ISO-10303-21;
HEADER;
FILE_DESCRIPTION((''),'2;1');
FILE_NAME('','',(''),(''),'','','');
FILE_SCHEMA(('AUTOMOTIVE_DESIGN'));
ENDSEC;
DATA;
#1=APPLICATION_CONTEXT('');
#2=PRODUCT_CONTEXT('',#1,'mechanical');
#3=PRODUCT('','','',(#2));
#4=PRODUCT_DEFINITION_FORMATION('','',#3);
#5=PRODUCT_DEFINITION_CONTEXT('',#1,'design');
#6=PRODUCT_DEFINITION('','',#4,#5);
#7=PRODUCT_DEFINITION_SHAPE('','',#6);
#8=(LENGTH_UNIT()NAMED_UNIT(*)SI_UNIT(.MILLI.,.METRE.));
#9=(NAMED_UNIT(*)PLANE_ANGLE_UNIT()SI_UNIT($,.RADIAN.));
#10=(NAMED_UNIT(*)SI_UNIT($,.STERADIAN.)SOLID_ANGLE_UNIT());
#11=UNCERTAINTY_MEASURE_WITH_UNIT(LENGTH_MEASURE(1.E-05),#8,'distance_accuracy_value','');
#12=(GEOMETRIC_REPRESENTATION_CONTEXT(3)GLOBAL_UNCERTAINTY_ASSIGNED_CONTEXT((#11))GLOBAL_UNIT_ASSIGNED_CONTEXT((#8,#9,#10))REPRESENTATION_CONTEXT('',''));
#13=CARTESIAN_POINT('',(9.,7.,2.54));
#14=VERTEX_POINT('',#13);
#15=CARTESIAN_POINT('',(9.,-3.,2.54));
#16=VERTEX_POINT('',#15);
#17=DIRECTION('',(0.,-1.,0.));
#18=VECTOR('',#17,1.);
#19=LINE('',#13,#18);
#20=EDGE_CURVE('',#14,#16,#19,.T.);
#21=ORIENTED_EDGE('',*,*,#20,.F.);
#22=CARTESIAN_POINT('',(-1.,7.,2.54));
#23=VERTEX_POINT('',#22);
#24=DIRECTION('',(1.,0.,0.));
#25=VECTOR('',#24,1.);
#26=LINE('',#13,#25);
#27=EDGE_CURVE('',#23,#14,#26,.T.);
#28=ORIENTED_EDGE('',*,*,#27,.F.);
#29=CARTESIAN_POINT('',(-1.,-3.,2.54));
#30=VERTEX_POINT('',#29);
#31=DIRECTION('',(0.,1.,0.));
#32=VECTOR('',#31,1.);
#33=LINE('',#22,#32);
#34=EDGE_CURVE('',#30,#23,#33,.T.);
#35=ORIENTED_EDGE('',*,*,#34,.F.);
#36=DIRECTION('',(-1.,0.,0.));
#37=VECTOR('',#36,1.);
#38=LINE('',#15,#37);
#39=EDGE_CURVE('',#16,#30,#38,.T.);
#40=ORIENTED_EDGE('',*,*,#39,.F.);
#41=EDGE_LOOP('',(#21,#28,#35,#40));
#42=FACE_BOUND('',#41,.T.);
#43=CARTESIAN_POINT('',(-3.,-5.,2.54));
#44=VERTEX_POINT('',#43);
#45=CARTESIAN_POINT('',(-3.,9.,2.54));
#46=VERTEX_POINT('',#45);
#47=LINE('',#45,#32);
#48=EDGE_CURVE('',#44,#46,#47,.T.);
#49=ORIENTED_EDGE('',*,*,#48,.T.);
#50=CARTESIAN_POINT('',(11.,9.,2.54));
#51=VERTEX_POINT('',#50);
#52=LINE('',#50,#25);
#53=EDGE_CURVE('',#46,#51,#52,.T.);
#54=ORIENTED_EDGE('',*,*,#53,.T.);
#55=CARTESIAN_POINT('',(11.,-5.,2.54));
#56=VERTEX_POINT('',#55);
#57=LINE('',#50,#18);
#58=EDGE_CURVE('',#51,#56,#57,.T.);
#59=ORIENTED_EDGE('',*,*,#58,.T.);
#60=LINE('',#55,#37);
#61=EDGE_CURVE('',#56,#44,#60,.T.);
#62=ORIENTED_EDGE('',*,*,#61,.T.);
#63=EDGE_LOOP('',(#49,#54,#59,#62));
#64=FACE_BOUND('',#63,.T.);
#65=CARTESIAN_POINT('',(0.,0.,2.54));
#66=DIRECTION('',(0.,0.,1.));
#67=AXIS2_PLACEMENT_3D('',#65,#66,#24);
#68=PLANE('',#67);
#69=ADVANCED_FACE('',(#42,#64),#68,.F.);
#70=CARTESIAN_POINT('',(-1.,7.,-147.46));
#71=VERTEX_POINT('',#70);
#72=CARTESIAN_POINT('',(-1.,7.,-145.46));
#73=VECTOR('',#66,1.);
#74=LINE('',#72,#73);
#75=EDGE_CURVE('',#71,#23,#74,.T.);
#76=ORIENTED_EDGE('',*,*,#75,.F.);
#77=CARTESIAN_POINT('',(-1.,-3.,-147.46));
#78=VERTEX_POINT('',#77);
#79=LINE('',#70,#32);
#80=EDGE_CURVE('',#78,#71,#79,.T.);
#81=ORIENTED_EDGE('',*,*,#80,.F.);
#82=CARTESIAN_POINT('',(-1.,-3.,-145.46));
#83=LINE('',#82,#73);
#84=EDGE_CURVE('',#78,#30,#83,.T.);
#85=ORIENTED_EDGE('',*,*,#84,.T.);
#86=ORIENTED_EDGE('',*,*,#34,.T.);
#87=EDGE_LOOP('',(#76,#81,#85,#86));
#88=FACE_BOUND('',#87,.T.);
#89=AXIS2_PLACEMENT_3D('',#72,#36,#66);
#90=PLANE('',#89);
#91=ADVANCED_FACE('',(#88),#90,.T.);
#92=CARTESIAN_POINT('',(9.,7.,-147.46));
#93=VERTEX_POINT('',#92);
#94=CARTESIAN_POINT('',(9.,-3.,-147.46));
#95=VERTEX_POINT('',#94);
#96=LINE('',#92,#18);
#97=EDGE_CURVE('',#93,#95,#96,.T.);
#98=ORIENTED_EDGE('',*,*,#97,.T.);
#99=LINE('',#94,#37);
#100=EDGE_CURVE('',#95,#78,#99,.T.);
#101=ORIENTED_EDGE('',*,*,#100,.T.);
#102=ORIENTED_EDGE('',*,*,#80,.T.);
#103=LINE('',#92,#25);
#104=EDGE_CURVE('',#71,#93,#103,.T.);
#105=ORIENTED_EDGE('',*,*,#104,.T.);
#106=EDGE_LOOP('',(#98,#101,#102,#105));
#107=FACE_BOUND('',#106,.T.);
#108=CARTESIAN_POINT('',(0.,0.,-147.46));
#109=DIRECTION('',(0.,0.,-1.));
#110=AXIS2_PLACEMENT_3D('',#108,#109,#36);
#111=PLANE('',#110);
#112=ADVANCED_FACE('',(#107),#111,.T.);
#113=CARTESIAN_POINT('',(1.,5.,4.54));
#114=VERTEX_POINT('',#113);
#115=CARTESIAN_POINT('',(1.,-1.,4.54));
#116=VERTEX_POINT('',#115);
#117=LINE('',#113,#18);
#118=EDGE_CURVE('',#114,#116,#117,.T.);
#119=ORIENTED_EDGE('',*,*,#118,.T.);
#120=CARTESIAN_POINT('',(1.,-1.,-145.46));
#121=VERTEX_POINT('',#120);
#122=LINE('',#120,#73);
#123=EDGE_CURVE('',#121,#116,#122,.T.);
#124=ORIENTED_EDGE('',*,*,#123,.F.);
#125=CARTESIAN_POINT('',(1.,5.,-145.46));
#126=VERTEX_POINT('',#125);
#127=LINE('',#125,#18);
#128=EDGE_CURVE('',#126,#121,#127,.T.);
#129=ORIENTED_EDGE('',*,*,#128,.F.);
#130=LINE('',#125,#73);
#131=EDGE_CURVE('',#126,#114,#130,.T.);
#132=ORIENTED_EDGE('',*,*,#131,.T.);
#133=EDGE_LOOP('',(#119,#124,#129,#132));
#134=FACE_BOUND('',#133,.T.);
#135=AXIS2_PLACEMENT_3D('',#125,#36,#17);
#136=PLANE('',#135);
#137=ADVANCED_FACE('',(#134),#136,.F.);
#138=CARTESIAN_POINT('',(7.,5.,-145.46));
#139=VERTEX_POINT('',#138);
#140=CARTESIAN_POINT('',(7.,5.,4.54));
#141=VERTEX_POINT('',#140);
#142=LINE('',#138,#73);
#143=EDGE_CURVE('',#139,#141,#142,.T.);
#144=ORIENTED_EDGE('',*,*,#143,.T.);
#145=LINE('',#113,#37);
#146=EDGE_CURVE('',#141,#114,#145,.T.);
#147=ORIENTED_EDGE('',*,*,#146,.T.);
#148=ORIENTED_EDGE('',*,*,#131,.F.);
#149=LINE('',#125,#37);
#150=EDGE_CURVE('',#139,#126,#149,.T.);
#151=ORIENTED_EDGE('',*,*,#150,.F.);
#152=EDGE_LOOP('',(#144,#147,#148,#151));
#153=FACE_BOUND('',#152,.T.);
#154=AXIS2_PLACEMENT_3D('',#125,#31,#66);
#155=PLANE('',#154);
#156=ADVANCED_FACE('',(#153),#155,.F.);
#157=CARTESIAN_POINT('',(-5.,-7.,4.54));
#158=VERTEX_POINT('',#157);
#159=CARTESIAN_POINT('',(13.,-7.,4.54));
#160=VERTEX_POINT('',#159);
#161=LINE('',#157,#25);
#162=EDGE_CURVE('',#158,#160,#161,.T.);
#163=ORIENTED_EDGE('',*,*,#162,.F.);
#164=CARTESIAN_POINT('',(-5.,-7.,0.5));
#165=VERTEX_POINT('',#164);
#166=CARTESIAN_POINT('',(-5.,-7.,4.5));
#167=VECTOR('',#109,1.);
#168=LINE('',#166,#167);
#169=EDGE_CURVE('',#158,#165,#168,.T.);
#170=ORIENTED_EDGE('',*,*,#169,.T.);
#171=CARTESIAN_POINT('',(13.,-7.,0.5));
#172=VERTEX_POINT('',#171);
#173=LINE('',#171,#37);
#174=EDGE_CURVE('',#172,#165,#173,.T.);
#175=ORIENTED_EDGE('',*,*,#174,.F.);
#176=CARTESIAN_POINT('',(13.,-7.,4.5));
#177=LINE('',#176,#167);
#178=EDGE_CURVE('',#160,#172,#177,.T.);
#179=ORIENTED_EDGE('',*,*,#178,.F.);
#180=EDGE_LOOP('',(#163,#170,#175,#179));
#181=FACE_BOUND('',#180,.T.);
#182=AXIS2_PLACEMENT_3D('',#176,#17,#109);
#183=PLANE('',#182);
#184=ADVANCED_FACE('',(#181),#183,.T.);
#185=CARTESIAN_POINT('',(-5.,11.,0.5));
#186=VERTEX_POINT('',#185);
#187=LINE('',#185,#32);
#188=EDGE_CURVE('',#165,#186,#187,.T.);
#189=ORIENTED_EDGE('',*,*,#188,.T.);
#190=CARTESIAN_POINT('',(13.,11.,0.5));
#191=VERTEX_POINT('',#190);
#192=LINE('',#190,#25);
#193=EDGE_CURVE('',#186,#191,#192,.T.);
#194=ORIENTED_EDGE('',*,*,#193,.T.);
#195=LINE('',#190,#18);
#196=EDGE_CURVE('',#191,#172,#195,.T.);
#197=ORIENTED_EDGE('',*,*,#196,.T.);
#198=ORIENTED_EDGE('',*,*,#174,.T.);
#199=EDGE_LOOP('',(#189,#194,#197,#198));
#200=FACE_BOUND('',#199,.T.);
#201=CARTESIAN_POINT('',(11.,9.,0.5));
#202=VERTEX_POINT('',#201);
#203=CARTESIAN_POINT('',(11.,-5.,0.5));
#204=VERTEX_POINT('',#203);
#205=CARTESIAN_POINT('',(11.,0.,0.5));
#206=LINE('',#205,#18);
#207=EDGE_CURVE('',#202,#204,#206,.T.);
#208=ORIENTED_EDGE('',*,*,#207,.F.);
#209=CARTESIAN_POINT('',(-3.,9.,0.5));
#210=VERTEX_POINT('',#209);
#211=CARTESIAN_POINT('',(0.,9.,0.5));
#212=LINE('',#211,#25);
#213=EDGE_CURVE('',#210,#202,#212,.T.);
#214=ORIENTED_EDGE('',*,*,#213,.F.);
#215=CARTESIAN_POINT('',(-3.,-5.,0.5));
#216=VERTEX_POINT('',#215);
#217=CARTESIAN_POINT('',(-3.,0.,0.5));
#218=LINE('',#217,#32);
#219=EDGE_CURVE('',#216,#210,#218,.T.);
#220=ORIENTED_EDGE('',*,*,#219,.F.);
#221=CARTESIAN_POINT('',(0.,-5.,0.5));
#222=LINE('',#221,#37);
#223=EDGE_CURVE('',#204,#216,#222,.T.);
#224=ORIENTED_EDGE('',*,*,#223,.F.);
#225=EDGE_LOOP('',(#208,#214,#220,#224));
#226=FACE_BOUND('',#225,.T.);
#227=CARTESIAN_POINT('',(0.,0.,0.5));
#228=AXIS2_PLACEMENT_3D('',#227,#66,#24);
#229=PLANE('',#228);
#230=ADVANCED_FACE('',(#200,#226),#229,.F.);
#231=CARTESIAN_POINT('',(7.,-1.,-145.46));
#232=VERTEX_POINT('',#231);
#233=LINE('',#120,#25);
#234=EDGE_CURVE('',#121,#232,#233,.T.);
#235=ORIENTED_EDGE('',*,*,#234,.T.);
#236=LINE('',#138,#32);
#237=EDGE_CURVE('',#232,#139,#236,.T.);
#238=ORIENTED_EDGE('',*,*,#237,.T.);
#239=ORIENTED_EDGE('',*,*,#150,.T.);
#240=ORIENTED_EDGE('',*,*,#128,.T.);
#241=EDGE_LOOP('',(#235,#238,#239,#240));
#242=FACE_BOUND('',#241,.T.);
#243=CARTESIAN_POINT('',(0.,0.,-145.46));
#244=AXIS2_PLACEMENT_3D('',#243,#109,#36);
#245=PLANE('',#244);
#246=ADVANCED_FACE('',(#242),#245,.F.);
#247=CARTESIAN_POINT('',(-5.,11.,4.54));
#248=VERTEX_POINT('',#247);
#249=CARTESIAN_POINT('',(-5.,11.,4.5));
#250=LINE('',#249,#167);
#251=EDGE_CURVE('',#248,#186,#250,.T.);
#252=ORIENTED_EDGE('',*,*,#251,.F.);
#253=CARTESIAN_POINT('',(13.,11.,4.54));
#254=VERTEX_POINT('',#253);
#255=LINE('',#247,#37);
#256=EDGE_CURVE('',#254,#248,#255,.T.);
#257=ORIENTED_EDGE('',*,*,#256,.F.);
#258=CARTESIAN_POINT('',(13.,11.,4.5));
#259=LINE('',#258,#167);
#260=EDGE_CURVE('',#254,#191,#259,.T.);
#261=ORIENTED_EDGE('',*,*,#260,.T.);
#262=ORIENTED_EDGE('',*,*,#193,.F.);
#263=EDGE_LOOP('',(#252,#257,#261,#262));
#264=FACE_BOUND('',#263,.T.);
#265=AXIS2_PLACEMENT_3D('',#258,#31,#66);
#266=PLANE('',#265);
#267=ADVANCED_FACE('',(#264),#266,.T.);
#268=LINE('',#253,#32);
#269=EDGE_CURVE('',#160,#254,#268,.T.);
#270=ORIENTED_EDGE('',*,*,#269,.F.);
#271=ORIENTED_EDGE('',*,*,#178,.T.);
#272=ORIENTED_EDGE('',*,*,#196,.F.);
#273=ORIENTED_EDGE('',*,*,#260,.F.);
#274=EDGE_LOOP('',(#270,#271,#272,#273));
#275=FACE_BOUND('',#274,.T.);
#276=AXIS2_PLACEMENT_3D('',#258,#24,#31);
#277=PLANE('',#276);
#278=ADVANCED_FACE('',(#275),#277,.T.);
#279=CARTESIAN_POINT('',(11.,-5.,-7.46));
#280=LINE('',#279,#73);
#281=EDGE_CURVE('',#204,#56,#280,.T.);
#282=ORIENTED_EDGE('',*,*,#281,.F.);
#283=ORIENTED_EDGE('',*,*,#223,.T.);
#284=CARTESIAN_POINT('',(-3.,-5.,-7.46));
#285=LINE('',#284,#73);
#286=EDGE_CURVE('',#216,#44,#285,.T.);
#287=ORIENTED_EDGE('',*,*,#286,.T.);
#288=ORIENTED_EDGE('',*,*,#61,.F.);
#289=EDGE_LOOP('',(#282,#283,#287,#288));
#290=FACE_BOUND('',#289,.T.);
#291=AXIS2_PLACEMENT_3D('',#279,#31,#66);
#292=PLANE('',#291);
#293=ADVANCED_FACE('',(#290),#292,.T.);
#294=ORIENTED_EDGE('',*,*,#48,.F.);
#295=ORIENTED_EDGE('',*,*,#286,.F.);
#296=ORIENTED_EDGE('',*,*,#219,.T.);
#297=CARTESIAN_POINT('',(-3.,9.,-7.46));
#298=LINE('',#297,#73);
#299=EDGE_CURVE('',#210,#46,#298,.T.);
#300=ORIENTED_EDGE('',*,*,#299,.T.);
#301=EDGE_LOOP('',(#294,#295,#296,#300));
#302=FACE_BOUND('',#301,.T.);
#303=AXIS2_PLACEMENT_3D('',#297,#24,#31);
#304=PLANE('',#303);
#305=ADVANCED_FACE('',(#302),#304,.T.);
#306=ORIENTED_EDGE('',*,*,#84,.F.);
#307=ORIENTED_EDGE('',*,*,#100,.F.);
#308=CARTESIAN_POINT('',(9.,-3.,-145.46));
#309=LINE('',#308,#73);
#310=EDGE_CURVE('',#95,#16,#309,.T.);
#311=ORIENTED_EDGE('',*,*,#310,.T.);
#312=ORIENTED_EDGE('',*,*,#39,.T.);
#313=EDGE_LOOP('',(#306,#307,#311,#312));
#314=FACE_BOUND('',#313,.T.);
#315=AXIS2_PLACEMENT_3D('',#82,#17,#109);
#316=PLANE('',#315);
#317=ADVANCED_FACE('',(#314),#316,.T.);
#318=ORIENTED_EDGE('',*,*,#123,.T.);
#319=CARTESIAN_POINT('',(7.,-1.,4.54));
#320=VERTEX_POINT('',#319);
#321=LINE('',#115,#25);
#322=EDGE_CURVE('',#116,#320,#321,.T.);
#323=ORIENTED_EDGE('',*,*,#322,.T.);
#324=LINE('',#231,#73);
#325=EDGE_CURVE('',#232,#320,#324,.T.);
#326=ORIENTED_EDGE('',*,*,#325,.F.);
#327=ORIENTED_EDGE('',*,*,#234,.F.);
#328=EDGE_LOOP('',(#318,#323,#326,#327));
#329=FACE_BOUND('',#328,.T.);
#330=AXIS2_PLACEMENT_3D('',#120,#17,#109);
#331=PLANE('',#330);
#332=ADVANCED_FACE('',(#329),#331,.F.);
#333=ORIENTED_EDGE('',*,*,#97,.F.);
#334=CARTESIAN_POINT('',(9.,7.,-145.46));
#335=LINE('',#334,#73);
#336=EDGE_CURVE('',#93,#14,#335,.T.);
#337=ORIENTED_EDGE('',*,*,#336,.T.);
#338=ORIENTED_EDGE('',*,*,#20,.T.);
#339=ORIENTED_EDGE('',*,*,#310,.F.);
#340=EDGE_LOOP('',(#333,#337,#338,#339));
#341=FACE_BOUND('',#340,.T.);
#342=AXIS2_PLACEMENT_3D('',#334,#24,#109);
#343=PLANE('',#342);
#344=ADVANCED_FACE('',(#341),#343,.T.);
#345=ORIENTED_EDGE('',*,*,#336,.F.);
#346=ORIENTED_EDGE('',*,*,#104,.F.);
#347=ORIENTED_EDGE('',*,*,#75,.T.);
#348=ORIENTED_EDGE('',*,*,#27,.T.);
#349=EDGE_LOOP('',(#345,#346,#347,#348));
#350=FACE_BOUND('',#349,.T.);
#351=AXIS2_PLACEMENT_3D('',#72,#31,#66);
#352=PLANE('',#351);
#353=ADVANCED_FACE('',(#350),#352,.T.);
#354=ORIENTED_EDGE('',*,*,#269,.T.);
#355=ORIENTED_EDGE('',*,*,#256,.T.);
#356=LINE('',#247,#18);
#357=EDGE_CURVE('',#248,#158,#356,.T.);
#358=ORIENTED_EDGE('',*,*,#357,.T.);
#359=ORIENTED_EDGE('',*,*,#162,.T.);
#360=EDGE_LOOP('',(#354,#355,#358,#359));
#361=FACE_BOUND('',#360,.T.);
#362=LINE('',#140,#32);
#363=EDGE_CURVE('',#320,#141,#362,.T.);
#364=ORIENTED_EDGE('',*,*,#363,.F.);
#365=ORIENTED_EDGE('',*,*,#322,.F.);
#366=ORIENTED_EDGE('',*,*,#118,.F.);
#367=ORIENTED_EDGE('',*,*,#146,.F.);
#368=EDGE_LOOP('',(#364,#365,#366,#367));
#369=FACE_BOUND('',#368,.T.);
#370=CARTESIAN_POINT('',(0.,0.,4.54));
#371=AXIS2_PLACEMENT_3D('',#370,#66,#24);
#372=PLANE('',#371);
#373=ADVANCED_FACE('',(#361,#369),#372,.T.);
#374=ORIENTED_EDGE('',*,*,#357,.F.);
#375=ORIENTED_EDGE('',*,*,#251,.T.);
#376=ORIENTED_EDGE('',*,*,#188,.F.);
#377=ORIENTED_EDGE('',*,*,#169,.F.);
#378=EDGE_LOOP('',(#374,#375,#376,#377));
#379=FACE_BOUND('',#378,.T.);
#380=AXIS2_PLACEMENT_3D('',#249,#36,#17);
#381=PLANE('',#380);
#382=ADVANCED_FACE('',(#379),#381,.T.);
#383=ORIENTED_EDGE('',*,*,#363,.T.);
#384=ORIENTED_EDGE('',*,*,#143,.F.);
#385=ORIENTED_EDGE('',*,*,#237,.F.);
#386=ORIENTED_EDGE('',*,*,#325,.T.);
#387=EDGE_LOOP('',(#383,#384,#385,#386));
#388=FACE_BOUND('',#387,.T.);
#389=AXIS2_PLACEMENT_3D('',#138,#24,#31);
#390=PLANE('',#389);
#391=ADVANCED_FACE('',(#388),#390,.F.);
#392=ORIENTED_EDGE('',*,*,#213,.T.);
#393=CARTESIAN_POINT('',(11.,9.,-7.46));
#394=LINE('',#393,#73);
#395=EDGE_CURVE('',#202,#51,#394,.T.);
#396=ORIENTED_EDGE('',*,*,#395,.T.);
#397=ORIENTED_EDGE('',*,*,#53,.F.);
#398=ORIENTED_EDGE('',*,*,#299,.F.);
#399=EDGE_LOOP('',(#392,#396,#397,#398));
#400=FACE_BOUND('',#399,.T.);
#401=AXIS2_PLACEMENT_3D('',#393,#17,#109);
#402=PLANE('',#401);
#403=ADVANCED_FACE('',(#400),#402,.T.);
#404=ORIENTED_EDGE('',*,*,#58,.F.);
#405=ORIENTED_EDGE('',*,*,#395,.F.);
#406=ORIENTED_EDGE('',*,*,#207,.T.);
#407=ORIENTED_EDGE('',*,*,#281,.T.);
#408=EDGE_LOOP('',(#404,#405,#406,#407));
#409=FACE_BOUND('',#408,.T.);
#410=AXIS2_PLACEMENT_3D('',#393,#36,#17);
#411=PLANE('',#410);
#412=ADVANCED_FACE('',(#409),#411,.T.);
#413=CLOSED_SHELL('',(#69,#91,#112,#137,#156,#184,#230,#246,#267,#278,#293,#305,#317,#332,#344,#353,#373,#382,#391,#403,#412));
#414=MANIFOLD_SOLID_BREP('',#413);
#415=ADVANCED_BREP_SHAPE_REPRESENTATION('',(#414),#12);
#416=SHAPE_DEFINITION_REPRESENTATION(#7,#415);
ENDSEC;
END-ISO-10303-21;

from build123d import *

# Parameters (mm, degrees)
SKETCH1_W            = 10
SKETCH1_H            = 10
SKETCH1_W_2          = 6
SKETCH1_H_2          = 6
BOSS_EXTRUDE1_DEPTH  = 2.54
BOSS_EXTRUDE4_DEPTH  = 2.54
CUT_EXTRUDE4_DEPTH   = 2.54
BOSS_EXTRUDE6_DEPTH  = 2.54
BOSS_EXTRUDE7_DEPTH  = 2.54
SKETCH8_W            = 16
SKETCH8_H            = 16
SKETCH8_W_2          = 12
SKETCH8_H_2          = 12
CUT_EXTRUDE5_DEPTH   = 0.5
SKETCH9_W            = 8
SKETCH9_H            = 8
BOSS_EXTRUDE8_DEPTH  = 0.5
SKETCH10_W           = 12
SKETCH10_H           = 12
SKETCH10_W_2         = 8
SKETCH10_H_2         = 8
CUT_EXTRUDE6_DEPTH   = 10
SKETCH11_W           = 16
SKETCH11_H           = 16
SKETCH11_W_2         = 8
SKETCH11_H_2         = 8
BOSS_EXTRUDE9_DEPTH  = 2
SKETCH13_W           = 8
SKETCH13_H           = 8
CUT_EXTRUDE7_DEPTH   = 2
SKETCH14_W           = 10
SKETCH14_H           = 10
SKETCH14_W_2         = 6
SKETCH14_H_2         = 6
CUT_EXTRUDE8_DEPTH   = 2
SKETCH16_W           = 14
SKETCH16_H           = 14
SKETCH16_W_2         = 12
SKETCH16_H_2         = 12
CUT_EXTRUDE12_DEPTH  = 10
SKETCH17_W           = 18
SKETCH17_H           = 18
SKETCH17_W_2         = 16
SKETCH17_H_2         = 16
BOSS_EXTRUDE10_DEPTH = 4
SKETCH18_W           = 18
SKETCH18_H           = 18
SKETCH18_W_2         = 16
SKETCH18_H_2         = 16
BOSS_EXTRUDE11_DEPTH = 1
SKETCH19_W           = 10
SKETCH19_H           = 10
SKETCH19_W_2         = 6
SKETCH19_H_2         = 6
BOSS_EXTRUDE12_DEPTH = 150
SKETCH20_W           = 10
SKETCH20_H           = 10
BOSS_EXTRUDE13_DEPTH = 2


with BuildPart() as part:
    # Sketch1 → Boss-Extrude1 (new body)
    with BuildSketch(Plane.XY):
        with Locations((3, 3)):
            Rectangle(SKETCH1_W, SKETCH1_H)
        with Locations((3, 3)):
            Rectangle(SKETCH1_W_2, SKETCH1_H_2, mode=Mode.SUBTRACT)
    extrude(amount=BOSS_EXTRUDE1_DEPTH)

    # Sketch2 → Boss-Extrude4 (add)
    with BuildSketch(Plane(origin=(0, 0, 0), x_dir=(-1, 0, 0), z_dir=(0, 0, -1))):
        Polygon((-8, 8), (-8, -2), (2, -2), (2, -4), (-10, -4), (-10, 8), align=None)
    extrude(amount=-BOSS_EXTRUDE4_DEPTH)

    # Sketch5 → Cut-Extrude4 (cut)
    with BuildSketch(Plane(origin=(0, 0, 0), x_dir=(-1, 0, 0), z_dir=(0, 0, -1))):
        Polygon((-6, 6), (-6, 0), (0, 0), (0, -2), (-8, -2), (-8, 6), align=None)
    extrude(amount=-CUT_EXTRUDE4_DEPTH, mode=Mode.SUBTRACT)

    # Sketch6 → Boss-Extrude6 (add)
    with BuildSketch(Plane(origin=(0, 0, 0), x_dir=(-1, 0, 0), z_dir=(0, 0, -1))):
        Polygon((-10, 8), (-10, -4), (2, -4), (2, -6), (-12, -6), (-12, 8), align=None)
    extrude(amount=-BOSS_EXTRUDE6_DEPTH)

    # Sketch7 → Boss-Extrude7 (add)
    with BuildSketch(Plane(origin=(0, 0, 0), x_dir=(-1, 0, 0), z_dir=(0, 0, -1))):
        Polygon((-12, 8), (2, 8), (2, -6), (4, -6), (4, 10), (-12, 10), align=None)
    extrude(amount=-BOSS_EXTRUDE7_DEPTH)

    # Sketch8 → Cut-Extrude5 (cut)
    with BuildSketch(Plane(origin=(0, 0, 0), x_dir=(-1, 0, 0), z_dir=(0, 0, -1))):
        with Locations((-4, 2)):
            Rectangle(SKETCH8_W, SKETCH8_H)
        with Locations((-4, 2)):
            Rectangle(SKETCH8_W_2, SKETCH8_H_2, mode=Mode.SUBTRACT)
    extrude(amount=-CUT_EXTRUDE5_DEPTH, mode=Mode.SUBTRACT)

    # Sketch10 → Cut-Extrude6 (cut)
    with BuildSketch(Plane(origin=(0, 0, 0), x_dir=(-1, 0, 0), z_dir=(0, 0, -1))):
        with Locations((-4, 2)):
            Rectangle(SKETCH10_W, SKETCH10_H)
        with Locations((-4, 2)):
            Rectangle(SKETCH10_W_2, SKETCH10_H_2, mode=Mode.SUBTRACT)
    extrude(amount=-CUT_EXTRUDE6_DEPTH, mode=Mode.SUBTRACT)

    # Sketch11 → Boss-Extrude9 (add)
    with BuildSketch(Plane.XY.offset(2.54)):
        with Locations((4, 2)):
            Rectangle(SKETCH11_W, SKETCH11_H)
        with Locations((4, 2)):
            Rectangle(SKETCH11_W_2, SKETCH11_H_2, mode=Mode.SUBTRACT)
    extrude(amount=BOSS_EXTRUDE9_DEPTH)

    # Sketch14 → Cut-Extrude8 (cut)
    with BuildSketch(Plane(origin=(0, 0, 2.54), x_dir=(-1, 0, 0), z_dir=(0, 0, -1))):
        with Locations((-4, 2)):
            Rectangle(SKETCH14_W, SKETCH14_H)
        with Locations((-4, 2)):
            Rectangle(SKETCH14_W_2, SKETCH14_H_2, mode=Mode.SUBTRACT)
    extrude(amount=-CUT_EXTRUDE8_DEPTH, mode=Mode.SUBTRACT)

    # Sketch16 → Cut-Extrude12 (cut)
    with BuildSketch(Plane(origin=(0, 0, 2.54), x_dir=(-1, 0, 0), z_dir=(0, 0, -1))):
        with Locations((-4, 2)):
            Rectangle(SKETCH16_W, SKETCH16_H)
        with Locations((-4, 2)):
            Rectangle(SKETCH16_W_2, SKETCH16_H_2, mode=Mode.SUBTRACT)
    extrude(amount=CUT_EXTRUDE12_DEPTH, mode=Mode.SUBTRACT)

    # Sketch17 → Boss-Extrude10 (add)
    with BuildSketch(Plane(origin=(0, 0, 0.5), x_dir=(-1, 0, 0), z_dir=(0, 0, -1))):
        with Locations((-4, 2)):
            Rectangle(SKETCH17_W, SKETCH17_H)
        with Locations((-4, 2)):
            Rectangle(SKETCH17_W_2, SKETCH17_H_2, mode=Mode.SUBTRACT)
    extrude(amount=-BOSS_EXTRUDE10_DEPTH)

    # Sketch18 → Boss-Extrude11 (add)
    with BuildSketch(Plane.XY.offset(4.54)):
        with Locations((4, 2)):
            Rectangle(SKETCH18_W, SKETCH18_H)
        with Locations((4, 2)):
            Rectangle(SKETCH18_W_2, SKETCH18_H_2, mode=Mode.SUBTRACT)
    extrude(amount=-BOSS_EXTRUDE11_DEPTH)

    # Sketch19 → Boss-Extrude12 (add)
    with BuildSketch(Plane.XY.offset(4.54)):
        with Locations((4, 2)):
            Rectangle(SKETCH19_W, SKETCH19_H)
        with Locations((4, 2)):
            Rectangle(SKETCH19_W_2, SKETCH19_H_2, mode=Mode.SUBTRACT)
    extrude(amount=-BOSS_EXTRUDE12_DEPTH)

    # Sketch20 → Boss-Extrude13 (add)
    with BuildSketch(Plane(origin=(0, 0, -145.46), x_dir=(-1, 0, 0), z_dir=(0, 0, -1))):
        with Locations((-4, 2)):
            Rectangle(SKETCH20_W, SKETCH20_H)
    extrude(amount=BOSS_EXTRUDE13_DEPTH)


with BuildPart() as body_2:
    # Sketch9 → Boss-Extrude8 (new body)
    with BuildSketch(Plane(origin=(0, 0, 0), x_dir=(-1, 0, 0), z_dir=(0, 0, -1))):
        with Locations((-4, 2)):
            Rectangle(SKETCH9_W, SKETCH9_H)
    extrude(amount=BOSS_EXTRUDE8_DEPTH)

    # Sketch13 → Cut-Extrude7 (cut)
    with BuildSketch(Plane(origin=(0, 0, -0.5), x_dir=(-1, 0, 0), z_dir=(0, 0, -1))):
        with Locations((-4, 2)):
            Rectangle(SKETCH13_W, SKETCH13_H)
    extrude(amount=-CUT_EXTRUDE7_DEPTH, mode=Mode.SUBTRACT)


solid = part.part
